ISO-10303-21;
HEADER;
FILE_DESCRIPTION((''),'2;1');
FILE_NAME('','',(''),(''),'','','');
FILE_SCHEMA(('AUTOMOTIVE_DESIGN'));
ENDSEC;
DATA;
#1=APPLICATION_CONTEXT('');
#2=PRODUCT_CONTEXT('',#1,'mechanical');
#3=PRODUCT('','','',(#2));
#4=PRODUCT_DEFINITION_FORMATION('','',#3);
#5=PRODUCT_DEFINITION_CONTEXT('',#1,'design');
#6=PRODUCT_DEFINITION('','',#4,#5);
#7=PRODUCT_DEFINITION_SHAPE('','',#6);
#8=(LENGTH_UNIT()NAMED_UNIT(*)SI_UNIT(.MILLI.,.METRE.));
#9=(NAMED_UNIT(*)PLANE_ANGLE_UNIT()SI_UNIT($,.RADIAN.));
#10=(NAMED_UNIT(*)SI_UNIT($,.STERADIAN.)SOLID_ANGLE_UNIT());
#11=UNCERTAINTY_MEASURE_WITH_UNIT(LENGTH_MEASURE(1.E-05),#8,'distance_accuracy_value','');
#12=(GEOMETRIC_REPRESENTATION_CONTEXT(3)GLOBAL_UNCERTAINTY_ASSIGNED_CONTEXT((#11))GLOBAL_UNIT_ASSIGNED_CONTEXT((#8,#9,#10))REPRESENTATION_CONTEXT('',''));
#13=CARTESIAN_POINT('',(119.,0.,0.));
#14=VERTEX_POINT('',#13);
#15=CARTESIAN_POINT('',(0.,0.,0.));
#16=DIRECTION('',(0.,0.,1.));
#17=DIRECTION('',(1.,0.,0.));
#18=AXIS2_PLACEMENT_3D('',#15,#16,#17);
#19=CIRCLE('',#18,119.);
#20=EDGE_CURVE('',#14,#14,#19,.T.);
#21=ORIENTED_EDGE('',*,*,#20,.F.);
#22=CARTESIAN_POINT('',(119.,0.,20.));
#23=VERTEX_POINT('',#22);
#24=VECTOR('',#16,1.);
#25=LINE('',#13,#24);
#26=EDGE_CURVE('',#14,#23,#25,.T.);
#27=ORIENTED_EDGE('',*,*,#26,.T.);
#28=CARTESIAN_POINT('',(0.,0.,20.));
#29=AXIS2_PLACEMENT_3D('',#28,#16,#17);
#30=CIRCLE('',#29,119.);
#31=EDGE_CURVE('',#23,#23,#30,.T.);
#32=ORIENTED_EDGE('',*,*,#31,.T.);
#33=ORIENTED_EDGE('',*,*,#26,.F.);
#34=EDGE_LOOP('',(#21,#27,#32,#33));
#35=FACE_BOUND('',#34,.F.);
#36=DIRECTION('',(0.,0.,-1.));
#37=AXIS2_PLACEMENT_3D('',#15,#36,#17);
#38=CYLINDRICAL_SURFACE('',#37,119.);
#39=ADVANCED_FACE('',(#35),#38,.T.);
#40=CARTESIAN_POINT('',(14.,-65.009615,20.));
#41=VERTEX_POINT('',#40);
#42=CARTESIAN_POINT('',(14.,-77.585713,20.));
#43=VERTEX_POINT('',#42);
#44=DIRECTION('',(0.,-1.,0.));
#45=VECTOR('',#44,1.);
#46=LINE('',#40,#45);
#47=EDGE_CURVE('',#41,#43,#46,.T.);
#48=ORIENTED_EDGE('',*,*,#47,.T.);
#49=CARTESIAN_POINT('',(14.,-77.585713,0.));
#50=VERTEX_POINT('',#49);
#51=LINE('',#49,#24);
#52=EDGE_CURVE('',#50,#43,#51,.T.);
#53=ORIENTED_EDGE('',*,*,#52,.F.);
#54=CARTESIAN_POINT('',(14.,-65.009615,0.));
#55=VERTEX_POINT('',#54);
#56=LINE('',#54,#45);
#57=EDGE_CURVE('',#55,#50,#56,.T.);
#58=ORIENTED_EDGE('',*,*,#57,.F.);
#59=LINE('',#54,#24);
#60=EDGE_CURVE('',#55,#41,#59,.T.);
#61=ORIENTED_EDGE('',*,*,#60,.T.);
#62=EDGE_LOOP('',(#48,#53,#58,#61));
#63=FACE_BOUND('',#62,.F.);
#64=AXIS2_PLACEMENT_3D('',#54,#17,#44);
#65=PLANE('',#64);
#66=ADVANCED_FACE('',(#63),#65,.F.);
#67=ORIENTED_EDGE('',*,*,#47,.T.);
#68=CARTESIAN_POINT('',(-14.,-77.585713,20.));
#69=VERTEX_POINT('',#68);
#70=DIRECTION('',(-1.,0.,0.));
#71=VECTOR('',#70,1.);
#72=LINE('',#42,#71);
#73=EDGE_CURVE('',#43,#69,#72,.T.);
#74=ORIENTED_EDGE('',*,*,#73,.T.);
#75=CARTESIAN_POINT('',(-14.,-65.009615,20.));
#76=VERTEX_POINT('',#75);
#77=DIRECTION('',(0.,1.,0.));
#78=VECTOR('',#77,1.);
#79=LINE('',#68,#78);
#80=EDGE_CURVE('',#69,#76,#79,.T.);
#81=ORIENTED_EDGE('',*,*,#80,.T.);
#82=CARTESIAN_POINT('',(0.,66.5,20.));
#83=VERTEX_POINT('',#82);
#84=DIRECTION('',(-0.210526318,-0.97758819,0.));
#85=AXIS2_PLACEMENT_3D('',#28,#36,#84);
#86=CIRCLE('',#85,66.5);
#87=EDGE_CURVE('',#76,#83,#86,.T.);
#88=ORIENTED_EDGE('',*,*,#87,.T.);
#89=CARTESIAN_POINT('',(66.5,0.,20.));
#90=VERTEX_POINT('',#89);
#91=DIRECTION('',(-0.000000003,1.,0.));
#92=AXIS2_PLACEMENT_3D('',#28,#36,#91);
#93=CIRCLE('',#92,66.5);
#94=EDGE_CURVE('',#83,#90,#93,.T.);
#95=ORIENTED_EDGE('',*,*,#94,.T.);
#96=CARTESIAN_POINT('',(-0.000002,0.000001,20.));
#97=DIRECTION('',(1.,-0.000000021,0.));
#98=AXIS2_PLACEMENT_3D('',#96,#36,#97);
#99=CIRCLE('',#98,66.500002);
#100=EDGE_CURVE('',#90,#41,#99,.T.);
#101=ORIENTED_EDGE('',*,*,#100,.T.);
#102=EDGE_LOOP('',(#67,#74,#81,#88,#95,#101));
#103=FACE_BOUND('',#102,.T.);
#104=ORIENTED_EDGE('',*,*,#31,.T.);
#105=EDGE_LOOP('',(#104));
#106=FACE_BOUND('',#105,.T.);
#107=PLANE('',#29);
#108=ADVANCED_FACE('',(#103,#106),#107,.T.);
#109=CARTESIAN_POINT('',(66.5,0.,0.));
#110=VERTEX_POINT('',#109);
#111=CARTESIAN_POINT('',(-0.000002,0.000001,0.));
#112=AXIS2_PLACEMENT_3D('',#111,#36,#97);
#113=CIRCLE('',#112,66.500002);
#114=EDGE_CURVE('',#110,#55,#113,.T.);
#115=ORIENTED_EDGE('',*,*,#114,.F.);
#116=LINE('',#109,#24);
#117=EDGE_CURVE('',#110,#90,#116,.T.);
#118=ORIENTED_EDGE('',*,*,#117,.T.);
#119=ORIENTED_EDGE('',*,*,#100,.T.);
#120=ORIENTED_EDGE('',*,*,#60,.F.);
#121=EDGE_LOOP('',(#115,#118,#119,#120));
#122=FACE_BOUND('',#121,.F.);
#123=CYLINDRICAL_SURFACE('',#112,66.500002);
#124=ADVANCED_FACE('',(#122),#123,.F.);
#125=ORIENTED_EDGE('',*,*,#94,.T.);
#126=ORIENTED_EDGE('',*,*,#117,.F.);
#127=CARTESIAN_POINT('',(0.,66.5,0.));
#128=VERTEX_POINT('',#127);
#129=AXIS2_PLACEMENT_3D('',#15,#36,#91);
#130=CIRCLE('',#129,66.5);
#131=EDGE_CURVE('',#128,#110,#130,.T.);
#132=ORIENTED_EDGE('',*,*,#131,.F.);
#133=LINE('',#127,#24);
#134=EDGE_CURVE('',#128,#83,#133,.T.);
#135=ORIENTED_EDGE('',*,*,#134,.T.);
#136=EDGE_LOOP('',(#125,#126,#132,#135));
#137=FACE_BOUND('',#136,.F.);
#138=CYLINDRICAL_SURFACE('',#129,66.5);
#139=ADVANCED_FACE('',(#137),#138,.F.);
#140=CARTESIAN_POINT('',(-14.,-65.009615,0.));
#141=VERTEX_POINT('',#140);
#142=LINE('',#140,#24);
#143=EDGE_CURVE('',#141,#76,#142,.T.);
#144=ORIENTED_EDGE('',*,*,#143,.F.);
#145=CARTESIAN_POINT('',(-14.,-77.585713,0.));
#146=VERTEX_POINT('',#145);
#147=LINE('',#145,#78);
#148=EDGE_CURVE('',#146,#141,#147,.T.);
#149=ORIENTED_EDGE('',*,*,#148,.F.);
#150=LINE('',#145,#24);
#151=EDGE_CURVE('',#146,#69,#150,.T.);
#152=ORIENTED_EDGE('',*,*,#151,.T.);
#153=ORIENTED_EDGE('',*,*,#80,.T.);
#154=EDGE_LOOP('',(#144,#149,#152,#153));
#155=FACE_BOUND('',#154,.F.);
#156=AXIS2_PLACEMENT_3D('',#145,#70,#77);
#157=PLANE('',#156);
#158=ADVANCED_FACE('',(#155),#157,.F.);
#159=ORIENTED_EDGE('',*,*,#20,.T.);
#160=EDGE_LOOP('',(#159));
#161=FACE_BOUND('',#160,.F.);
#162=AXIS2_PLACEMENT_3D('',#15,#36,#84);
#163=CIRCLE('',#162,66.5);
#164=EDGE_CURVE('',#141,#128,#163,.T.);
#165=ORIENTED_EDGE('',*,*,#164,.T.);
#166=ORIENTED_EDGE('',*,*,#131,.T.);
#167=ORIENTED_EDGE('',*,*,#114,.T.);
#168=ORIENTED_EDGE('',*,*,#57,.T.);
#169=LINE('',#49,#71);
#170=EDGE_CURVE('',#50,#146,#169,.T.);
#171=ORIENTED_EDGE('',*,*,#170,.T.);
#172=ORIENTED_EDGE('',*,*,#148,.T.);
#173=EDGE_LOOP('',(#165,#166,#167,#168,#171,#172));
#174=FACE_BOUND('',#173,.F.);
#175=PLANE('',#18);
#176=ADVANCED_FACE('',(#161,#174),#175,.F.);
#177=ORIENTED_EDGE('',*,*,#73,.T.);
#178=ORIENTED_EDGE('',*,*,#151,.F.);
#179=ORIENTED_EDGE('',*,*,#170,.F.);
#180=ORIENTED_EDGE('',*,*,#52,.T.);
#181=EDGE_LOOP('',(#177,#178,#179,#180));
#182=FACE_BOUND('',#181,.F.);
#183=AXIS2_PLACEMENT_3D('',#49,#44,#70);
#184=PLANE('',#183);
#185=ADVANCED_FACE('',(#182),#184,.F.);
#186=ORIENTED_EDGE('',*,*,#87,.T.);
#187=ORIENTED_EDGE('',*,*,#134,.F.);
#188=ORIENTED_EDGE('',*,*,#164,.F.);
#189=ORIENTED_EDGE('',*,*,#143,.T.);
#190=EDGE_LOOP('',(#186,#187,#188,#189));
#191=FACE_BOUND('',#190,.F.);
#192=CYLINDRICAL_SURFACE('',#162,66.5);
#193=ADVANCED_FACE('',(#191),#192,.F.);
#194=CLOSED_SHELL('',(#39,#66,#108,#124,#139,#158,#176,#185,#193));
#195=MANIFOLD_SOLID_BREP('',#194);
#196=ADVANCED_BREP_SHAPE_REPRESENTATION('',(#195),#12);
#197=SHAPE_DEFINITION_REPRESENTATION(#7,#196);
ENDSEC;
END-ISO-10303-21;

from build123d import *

# Parameters (mm, degrees)
F0_R     = 119
F1_DEPTH = 20


with BuildPart() as f1:
    # F0 (on Top) → F1 (new body)
    with BuildSketch(Plane.XY):
        Circle(F0_R)
        with BuildLine():
            Line((-14, -77.585713), (-14, -65.009615))
            ThreePointArc((-14, -65.009615), (-66.126354, 7.039553), (0, 66.5))
            ThreePointArc((0, 66.5), (47.022601, 47.022601), (66.5, 0))
            ThreePointArc((66.5, 0), (51.736109, -41.780677), (14, -65.009615))
            Line((14, -65.009615), (14, -77.585713))
            Line((14, -77.585713), (-14, -77.585713))
        make_face(mode=Mode.SUBTRACT)
    extrude(amount=F1_DEPTH)


solid = f1.part
